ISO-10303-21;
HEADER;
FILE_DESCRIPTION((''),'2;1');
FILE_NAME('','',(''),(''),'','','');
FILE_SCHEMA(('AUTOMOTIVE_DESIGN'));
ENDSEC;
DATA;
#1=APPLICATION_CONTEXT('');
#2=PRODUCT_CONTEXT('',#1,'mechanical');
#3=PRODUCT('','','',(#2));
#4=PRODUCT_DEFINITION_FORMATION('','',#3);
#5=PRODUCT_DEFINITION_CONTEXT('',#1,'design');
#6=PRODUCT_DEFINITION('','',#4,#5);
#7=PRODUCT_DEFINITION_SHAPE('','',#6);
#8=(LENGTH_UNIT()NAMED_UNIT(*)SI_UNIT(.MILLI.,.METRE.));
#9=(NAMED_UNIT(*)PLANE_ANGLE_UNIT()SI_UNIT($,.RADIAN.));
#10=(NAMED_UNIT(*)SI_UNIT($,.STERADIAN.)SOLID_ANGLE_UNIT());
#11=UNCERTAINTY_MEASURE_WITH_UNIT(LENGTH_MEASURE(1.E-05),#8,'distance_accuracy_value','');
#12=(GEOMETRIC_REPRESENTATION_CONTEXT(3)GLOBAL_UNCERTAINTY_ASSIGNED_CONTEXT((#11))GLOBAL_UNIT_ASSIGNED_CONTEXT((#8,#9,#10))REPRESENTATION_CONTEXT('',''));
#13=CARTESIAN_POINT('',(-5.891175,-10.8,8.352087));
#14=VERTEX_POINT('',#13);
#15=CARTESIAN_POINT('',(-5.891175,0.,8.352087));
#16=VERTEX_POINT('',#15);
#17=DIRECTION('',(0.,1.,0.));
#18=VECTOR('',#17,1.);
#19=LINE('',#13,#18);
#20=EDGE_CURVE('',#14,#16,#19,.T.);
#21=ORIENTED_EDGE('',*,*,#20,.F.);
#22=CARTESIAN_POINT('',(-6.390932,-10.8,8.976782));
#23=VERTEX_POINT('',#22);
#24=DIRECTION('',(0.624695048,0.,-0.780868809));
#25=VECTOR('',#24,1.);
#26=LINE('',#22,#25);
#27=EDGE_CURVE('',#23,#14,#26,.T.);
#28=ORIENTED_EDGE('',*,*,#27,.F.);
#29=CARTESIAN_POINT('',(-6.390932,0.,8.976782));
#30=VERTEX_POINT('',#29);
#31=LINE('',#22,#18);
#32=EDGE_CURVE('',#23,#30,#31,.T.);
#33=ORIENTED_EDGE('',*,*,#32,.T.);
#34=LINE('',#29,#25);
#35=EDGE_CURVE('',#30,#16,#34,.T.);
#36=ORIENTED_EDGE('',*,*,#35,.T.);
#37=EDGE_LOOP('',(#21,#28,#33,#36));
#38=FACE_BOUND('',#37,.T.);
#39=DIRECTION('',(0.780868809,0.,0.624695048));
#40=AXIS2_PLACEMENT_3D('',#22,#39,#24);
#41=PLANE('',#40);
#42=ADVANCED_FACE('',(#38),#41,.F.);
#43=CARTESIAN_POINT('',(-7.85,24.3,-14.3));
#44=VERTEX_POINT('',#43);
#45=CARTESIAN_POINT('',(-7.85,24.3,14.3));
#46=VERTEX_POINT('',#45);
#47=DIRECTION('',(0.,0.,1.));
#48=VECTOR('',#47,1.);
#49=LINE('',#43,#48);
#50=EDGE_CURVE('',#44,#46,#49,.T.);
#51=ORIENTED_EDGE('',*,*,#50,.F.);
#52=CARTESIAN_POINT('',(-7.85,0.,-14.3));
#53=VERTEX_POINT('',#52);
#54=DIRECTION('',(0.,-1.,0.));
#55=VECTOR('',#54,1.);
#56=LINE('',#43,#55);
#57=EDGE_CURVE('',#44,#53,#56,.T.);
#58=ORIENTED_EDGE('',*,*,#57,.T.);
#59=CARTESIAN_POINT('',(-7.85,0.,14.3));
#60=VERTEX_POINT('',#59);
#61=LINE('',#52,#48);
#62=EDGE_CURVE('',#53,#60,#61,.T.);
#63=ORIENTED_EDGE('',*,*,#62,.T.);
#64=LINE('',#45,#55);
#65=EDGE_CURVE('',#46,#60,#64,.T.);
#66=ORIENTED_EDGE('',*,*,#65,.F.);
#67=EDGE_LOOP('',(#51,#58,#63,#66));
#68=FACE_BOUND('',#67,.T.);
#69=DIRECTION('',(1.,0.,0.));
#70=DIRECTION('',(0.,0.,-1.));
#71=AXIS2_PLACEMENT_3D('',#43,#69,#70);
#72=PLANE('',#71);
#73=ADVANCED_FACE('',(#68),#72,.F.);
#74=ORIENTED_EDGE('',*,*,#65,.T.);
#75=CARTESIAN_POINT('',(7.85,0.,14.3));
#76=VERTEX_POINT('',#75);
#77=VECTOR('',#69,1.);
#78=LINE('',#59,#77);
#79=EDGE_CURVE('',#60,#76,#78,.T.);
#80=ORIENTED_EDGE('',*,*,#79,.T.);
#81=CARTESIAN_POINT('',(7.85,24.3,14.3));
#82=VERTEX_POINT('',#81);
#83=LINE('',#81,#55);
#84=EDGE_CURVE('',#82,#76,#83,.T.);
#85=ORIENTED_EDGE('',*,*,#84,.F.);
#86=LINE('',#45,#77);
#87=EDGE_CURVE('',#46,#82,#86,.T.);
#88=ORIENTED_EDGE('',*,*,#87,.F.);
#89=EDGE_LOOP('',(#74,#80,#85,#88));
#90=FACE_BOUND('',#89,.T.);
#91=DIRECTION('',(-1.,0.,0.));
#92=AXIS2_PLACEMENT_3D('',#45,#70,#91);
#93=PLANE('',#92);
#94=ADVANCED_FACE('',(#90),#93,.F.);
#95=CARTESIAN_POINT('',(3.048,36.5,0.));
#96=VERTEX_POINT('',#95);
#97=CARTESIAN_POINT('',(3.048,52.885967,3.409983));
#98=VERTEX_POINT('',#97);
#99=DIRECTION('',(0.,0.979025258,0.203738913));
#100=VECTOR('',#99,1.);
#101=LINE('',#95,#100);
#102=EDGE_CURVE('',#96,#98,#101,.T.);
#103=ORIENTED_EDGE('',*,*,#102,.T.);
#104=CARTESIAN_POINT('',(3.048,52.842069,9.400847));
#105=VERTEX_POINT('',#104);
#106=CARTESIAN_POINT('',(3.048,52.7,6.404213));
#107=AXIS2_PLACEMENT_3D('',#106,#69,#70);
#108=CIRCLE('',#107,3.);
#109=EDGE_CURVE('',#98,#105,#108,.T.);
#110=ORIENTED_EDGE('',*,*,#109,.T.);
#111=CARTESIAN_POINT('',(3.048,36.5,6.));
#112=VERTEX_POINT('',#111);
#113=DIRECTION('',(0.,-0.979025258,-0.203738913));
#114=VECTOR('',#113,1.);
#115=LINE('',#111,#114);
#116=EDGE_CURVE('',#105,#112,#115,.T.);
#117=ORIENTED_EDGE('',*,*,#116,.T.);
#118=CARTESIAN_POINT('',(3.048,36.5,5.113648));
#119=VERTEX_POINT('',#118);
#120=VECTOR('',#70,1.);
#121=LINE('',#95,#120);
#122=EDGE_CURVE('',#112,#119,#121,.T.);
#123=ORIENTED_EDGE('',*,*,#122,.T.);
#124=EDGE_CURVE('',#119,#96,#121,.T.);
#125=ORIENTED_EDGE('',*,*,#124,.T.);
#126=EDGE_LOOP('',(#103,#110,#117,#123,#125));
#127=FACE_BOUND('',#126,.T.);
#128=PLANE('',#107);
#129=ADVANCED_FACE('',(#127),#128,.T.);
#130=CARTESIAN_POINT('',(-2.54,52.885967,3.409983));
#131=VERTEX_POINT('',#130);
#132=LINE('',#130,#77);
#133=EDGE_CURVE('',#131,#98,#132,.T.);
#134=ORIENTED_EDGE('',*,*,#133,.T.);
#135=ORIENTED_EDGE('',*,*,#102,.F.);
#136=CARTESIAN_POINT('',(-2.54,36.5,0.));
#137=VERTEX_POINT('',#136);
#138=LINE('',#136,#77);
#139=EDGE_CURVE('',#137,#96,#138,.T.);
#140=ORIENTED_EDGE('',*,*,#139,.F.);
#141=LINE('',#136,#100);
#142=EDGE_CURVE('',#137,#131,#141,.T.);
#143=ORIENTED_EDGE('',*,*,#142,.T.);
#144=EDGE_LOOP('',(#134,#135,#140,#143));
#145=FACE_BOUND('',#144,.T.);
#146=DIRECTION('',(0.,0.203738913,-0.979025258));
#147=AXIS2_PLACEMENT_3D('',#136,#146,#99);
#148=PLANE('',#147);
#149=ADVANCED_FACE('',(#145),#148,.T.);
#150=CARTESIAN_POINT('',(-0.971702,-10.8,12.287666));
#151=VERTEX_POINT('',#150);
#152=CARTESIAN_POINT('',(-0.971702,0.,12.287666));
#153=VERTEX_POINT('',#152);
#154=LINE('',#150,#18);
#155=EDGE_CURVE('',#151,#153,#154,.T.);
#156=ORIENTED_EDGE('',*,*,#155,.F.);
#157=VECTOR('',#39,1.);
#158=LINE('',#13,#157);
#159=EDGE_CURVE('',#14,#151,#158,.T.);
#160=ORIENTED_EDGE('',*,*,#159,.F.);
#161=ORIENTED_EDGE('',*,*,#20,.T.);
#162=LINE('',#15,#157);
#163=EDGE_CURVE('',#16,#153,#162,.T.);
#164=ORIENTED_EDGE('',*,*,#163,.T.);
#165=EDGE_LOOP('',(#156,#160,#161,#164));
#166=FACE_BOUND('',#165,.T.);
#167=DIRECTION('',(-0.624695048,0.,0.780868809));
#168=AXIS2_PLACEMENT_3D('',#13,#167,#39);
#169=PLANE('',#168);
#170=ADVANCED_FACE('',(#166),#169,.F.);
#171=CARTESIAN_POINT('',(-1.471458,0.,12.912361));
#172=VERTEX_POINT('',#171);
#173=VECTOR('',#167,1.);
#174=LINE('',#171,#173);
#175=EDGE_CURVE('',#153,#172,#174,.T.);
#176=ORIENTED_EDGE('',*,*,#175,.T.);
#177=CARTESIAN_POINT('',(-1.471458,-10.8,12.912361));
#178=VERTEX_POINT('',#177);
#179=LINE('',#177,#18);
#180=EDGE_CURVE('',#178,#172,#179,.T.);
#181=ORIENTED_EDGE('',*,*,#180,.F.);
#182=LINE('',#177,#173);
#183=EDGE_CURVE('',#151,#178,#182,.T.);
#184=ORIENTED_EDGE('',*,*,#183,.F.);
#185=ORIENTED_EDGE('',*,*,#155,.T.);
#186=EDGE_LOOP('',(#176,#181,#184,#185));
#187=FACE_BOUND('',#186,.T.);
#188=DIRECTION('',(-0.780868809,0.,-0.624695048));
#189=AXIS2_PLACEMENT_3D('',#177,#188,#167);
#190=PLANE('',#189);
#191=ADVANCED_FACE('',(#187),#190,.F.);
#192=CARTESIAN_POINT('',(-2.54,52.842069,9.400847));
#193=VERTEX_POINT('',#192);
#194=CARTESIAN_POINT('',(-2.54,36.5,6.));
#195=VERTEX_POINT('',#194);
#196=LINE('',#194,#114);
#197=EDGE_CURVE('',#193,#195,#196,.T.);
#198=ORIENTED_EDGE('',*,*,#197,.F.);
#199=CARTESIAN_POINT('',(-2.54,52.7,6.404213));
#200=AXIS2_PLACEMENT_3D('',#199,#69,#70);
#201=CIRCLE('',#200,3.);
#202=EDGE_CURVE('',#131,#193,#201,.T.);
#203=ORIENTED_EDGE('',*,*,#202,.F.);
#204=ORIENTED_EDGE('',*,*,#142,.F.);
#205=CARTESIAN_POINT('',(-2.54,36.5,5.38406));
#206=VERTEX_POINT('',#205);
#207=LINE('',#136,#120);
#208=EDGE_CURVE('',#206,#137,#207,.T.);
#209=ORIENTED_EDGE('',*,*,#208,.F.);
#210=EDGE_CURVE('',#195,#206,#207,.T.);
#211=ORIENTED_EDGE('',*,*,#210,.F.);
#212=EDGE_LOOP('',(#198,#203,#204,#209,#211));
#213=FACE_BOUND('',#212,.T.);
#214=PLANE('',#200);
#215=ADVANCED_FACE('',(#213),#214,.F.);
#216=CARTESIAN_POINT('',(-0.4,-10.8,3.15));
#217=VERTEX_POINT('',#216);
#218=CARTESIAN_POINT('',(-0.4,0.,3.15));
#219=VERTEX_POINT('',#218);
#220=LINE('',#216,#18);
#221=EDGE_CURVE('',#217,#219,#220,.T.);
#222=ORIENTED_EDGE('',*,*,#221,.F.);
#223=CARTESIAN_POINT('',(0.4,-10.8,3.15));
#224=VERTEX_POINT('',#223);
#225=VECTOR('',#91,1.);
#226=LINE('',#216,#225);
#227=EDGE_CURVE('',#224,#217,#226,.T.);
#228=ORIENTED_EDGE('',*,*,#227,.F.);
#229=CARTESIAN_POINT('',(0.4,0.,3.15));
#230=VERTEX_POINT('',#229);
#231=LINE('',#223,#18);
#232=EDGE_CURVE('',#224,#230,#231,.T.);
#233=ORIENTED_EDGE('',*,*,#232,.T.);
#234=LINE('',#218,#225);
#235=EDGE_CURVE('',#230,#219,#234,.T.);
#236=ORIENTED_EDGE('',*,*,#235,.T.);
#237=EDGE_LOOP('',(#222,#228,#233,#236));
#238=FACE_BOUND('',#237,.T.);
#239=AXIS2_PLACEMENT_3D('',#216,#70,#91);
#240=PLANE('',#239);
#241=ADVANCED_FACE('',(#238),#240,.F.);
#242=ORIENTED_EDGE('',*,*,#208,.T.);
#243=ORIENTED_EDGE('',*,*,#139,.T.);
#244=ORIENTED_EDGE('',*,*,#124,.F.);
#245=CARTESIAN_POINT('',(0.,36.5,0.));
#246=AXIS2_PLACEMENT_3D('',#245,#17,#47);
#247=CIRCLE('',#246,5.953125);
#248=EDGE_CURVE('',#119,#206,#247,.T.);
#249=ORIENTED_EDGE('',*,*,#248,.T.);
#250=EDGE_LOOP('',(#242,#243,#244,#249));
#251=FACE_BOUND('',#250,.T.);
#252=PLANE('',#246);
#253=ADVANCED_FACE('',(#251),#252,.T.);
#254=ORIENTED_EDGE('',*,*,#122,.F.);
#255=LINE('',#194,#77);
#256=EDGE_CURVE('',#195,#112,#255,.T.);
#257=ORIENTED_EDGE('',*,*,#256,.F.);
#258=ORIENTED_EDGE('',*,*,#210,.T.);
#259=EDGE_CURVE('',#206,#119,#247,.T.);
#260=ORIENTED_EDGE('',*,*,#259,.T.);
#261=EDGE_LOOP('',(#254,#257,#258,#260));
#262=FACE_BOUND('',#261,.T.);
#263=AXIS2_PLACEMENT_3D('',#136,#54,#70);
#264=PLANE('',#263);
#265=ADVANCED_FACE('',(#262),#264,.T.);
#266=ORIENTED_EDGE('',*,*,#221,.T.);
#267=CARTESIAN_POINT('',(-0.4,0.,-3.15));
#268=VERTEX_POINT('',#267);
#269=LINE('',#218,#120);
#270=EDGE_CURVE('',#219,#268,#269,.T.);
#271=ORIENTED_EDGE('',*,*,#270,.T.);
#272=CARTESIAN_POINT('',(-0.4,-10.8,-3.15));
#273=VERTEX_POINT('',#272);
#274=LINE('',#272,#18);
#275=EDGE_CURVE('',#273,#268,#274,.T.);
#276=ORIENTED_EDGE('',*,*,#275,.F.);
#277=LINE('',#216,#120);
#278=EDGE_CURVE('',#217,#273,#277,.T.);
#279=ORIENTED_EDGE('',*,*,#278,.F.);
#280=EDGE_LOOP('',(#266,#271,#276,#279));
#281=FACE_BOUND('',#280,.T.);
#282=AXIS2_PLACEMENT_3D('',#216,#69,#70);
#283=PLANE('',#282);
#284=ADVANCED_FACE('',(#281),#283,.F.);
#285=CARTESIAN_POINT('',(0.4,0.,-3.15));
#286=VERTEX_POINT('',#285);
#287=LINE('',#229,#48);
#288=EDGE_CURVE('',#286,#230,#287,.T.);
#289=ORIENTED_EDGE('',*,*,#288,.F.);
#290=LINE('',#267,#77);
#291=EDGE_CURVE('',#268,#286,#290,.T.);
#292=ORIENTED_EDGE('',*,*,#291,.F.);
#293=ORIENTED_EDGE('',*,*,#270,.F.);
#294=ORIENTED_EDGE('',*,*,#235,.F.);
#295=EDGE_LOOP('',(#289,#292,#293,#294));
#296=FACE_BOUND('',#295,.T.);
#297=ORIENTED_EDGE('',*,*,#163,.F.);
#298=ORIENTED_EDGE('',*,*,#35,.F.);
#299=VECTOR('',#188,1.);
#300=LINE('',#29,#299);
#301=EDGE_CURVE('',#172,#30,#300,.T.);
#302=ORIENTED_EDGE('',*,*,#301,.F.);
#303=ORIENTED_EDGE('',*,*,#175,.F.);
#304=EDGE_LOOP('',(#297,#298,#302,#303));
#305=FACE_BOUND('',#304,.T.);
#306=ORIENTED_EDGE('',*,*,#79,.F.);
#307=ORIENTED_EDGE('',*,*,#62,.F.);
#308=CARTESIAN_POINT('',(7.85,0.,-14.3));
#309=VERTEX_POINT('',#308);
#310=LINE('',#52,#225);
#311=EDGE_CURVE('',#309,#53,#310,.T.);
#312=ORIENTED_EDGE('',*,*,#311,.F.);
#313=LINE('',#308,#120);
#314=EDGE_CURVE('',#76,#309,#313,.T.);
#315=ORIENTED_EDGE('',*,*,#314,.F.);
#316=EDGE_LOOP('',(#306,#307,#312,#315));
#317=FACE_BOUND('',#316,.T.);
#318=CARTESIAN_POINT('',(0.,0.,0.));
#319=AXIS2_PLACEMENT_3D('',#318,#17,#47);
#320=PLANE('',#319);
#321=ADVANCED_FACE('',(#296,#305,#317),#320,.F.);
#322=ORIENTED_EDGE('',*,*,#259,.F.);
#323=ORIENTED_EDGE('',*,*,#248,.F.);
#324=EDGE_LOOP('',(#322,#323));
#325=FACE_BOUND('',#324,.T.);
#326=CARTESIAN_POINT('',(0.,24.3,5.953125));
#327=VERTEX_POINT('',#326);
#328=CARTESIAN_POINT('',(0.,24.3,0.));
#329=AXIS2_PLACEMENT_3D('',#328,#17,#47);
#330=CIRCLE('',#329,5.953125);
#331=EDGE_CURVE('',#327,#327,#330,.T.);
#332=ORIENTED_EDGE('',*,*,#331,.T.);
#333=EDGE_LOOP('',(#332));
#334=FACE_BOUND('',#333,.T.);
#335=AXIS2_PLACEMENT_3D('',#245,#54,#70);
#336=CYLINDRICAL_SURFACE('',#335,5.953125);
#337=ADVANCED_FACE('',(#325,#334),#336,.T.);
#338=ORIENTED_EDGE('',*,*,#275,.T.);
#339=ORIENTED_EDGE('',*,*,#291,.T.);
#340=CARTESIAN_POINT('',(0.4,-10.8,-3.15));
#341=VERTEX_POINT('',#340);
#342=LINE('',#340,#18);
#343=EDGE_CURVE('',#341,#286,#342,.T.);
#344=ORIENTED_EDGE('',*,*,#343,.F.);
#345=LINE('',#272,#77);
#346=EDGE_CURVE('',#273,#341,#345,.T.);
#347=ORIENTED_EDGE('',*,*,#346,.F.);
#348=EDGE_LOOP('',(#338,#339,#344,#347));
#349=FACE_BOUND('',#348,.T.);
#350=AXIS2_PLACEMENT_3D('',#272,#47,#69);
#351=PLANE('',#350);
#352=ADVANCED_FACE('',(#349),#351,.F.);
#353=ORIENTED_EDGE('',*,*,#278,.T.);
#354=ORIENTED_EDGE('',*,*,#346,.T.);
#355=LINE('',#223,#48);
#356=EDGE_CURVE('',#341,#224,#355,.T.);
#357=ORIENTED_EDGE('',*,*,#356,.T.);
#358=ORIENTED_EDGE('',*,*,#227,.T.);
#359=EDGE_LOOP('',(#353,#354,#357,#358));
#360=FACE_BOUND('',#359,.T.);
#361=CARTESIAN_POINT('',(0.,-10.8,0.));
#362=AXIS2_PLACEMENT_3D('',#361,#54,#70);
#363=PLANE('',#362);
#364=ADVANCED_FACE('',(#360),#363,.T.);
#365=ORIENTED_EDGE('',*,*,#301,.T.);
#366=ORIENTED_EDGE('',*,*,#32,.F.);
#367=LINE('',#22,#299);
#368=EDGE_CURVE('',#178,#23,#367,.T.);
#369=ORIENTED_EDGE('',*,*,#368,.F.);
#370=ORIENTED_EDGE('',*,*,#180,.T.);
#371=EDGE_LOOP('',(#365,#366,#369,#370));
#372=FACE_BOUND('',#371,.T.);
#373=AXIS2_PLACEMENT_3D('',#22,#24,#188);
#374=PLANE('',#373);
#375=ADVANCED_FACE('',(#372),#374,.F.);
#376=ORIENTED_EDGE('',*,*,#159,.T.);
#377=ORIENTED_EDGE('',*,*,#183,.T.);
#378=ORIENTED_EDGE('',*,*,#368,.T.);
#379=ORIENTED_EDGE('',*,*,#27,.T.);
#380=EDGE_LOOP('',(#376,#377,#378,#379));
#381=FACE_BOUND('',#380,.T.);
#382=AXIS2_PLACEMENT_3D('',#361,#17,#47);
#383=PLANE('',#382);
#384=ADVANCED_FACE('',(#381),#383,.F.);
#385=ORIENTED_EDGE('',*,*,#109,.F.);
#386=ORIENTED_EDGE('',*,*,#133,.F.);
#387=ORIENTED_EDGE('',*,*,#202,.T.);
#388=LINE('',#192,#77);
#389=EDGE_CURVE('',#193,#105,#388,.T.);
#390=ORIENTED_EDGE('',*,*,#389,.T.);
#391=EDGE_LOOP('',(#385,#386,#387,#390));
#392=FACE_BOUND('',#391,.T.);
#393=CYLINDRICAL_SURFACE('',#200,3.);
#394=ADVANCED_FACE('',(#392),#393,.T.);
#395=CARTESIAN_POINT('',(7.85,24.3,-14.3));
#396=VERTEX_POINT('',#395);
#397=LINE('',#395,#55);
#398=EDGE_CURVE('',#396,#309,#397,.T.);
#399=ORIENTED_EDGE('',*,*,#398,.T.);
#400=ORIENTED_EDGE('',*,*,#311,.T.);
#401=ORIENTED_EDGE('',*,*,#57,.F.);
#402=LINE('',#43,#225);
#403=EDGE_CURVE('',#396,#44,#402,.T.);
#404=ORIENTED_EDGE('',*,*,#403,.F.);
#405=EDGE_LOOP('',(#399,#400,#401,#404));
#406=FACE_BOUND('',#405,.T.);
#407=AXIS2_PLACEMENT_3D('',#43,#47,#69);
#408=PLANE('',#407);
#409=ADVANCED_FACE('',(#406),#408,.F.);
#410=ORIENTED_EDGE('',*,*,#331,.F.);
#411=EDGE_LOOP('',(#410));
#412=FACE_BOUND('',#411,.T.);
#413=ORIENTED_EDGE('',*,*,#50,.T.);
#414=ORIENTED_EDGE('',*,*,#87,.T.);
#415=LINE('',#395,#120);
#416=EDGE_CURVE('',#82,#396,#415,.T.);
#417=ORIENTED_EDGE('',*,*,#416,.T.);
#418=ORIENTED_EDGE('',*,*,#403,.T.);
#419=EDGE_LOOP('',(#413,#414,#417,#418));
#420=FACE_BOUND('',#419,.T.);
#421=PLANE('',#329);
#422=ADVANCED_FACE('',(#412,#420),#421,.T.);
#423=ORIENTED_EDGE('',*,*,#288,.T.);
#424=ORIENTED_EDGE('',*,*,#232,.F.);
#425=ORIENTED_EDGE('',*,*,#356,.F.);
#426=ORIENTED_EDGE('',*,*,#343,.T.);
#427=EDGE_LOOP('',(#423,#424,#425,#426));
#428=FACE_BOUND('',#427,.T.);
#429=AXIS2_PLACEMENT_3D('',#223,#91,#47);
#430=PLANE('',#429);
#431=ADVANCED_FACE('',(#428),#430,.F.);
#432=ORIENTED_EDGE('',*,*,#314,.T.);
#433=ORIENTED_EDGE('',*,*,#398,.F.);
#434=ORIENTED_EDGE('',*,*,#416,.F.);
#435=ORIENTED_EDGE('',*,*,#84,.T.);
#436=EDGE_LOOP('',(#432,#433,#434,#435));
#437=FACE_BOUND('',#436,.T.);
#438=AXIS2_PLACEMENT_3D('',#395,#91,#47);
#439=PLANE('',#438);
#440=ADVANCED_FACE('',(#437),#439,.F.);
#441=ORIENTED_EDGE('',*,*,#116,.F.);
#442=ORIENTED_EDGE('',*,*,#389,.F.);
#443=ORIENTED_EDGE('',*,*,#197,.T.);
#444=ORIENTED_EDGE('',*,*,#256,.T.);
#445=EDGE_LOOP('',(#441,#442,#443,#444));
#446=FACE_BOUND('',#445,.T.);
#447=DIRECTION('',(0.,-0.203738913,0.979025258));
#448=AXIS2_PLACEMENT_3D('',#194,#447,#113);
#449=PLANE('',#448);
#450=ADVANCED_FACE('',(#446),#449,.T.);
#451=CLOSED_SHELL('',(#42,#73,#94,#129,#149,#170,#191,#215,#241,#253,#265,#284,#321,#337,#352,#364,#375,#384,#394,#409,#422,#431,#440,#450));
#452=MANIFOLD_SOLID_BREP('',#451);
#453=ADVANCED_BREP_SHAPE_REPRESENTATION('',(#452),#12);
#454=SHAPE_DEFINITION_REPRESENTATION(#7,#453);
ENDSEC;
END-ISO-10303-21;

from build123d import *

# Parameters (mm, degrees)
SKETCH1_W               = 15.7
SKETCH1_H               = 28.6
BODY_DEPTH              = 24.3
SKETCH2_R               = 5.953125
PANEL_MOUNT_15_32_DEPTH = 12.2
SWITCH_DEPTH            = 3.048
SWITCH_DEPTH_BACK       = 2.54
SKETCH10_W              = 0.8
SKETCH10_H              = 6.3
CONNECTORS_DEPTH        = 10.8


with BuildPart() as part:
    # Sketch1 → Body (new body)
    with BuildSketch(Plane(origin=(0, 0, 0), x_dir=(1, 0, 0), z_dir=(0, 1, 0))):
        Rectangle(SKETCH1_W, SKETCH1_H)
    extrude(amount=BODY_DEPTH)

    # Sketch2 → Panel Mount  15/32 (add)
    with BuildSketch(Plane(origin=(0, 24.3, 0), x_dir=(1, 0, 0), z_dir=(0, 1, 0))):
        Circle(SKETCH2_R)
    extrude(amount=PANEL_MOUNT_15_32_DEPTH)

    # Sketch9 → Switch (add, two sides)
    with BuildSketch(Plane(origin=(0, 0, 0), x_dir=(0, 0, -1), z_dir=(1, 0, 0))) as switch_sk:
        with BuildLine():
            Line((0, 36.5), (-6, 36.5))
            Line((-6, 36.5), (-9.40084725, 52.842068887))
            ThreePointArc((-9.40084725, 52.842068887), (-6.42619484, 55.699919466), (-3.409982549, 52.885966675))
            Line((-3.409982549, 52.885966675), (0, 36.5))
        make_face()
    extrude(amount=SWITCH_DEPTH)
    extrude(switch_sk.sketch, amount=-SWITCH_DEPTH_BACK)

    # Sketch10 → Connectors (add)
    with BuildSketch(Plane.XZ):
        Polygon((-6.390931504, 8.976782117), (-5.891175466, 8.352087069), (-0.971701967, 12.287665869), (-1.471458005, 12.912360916), align=None)
        Rectangle(SKETCH10_W, SKETCH10_H)
    extrude(amount=CONNECTORS_DEPTH)


solid = part.part
